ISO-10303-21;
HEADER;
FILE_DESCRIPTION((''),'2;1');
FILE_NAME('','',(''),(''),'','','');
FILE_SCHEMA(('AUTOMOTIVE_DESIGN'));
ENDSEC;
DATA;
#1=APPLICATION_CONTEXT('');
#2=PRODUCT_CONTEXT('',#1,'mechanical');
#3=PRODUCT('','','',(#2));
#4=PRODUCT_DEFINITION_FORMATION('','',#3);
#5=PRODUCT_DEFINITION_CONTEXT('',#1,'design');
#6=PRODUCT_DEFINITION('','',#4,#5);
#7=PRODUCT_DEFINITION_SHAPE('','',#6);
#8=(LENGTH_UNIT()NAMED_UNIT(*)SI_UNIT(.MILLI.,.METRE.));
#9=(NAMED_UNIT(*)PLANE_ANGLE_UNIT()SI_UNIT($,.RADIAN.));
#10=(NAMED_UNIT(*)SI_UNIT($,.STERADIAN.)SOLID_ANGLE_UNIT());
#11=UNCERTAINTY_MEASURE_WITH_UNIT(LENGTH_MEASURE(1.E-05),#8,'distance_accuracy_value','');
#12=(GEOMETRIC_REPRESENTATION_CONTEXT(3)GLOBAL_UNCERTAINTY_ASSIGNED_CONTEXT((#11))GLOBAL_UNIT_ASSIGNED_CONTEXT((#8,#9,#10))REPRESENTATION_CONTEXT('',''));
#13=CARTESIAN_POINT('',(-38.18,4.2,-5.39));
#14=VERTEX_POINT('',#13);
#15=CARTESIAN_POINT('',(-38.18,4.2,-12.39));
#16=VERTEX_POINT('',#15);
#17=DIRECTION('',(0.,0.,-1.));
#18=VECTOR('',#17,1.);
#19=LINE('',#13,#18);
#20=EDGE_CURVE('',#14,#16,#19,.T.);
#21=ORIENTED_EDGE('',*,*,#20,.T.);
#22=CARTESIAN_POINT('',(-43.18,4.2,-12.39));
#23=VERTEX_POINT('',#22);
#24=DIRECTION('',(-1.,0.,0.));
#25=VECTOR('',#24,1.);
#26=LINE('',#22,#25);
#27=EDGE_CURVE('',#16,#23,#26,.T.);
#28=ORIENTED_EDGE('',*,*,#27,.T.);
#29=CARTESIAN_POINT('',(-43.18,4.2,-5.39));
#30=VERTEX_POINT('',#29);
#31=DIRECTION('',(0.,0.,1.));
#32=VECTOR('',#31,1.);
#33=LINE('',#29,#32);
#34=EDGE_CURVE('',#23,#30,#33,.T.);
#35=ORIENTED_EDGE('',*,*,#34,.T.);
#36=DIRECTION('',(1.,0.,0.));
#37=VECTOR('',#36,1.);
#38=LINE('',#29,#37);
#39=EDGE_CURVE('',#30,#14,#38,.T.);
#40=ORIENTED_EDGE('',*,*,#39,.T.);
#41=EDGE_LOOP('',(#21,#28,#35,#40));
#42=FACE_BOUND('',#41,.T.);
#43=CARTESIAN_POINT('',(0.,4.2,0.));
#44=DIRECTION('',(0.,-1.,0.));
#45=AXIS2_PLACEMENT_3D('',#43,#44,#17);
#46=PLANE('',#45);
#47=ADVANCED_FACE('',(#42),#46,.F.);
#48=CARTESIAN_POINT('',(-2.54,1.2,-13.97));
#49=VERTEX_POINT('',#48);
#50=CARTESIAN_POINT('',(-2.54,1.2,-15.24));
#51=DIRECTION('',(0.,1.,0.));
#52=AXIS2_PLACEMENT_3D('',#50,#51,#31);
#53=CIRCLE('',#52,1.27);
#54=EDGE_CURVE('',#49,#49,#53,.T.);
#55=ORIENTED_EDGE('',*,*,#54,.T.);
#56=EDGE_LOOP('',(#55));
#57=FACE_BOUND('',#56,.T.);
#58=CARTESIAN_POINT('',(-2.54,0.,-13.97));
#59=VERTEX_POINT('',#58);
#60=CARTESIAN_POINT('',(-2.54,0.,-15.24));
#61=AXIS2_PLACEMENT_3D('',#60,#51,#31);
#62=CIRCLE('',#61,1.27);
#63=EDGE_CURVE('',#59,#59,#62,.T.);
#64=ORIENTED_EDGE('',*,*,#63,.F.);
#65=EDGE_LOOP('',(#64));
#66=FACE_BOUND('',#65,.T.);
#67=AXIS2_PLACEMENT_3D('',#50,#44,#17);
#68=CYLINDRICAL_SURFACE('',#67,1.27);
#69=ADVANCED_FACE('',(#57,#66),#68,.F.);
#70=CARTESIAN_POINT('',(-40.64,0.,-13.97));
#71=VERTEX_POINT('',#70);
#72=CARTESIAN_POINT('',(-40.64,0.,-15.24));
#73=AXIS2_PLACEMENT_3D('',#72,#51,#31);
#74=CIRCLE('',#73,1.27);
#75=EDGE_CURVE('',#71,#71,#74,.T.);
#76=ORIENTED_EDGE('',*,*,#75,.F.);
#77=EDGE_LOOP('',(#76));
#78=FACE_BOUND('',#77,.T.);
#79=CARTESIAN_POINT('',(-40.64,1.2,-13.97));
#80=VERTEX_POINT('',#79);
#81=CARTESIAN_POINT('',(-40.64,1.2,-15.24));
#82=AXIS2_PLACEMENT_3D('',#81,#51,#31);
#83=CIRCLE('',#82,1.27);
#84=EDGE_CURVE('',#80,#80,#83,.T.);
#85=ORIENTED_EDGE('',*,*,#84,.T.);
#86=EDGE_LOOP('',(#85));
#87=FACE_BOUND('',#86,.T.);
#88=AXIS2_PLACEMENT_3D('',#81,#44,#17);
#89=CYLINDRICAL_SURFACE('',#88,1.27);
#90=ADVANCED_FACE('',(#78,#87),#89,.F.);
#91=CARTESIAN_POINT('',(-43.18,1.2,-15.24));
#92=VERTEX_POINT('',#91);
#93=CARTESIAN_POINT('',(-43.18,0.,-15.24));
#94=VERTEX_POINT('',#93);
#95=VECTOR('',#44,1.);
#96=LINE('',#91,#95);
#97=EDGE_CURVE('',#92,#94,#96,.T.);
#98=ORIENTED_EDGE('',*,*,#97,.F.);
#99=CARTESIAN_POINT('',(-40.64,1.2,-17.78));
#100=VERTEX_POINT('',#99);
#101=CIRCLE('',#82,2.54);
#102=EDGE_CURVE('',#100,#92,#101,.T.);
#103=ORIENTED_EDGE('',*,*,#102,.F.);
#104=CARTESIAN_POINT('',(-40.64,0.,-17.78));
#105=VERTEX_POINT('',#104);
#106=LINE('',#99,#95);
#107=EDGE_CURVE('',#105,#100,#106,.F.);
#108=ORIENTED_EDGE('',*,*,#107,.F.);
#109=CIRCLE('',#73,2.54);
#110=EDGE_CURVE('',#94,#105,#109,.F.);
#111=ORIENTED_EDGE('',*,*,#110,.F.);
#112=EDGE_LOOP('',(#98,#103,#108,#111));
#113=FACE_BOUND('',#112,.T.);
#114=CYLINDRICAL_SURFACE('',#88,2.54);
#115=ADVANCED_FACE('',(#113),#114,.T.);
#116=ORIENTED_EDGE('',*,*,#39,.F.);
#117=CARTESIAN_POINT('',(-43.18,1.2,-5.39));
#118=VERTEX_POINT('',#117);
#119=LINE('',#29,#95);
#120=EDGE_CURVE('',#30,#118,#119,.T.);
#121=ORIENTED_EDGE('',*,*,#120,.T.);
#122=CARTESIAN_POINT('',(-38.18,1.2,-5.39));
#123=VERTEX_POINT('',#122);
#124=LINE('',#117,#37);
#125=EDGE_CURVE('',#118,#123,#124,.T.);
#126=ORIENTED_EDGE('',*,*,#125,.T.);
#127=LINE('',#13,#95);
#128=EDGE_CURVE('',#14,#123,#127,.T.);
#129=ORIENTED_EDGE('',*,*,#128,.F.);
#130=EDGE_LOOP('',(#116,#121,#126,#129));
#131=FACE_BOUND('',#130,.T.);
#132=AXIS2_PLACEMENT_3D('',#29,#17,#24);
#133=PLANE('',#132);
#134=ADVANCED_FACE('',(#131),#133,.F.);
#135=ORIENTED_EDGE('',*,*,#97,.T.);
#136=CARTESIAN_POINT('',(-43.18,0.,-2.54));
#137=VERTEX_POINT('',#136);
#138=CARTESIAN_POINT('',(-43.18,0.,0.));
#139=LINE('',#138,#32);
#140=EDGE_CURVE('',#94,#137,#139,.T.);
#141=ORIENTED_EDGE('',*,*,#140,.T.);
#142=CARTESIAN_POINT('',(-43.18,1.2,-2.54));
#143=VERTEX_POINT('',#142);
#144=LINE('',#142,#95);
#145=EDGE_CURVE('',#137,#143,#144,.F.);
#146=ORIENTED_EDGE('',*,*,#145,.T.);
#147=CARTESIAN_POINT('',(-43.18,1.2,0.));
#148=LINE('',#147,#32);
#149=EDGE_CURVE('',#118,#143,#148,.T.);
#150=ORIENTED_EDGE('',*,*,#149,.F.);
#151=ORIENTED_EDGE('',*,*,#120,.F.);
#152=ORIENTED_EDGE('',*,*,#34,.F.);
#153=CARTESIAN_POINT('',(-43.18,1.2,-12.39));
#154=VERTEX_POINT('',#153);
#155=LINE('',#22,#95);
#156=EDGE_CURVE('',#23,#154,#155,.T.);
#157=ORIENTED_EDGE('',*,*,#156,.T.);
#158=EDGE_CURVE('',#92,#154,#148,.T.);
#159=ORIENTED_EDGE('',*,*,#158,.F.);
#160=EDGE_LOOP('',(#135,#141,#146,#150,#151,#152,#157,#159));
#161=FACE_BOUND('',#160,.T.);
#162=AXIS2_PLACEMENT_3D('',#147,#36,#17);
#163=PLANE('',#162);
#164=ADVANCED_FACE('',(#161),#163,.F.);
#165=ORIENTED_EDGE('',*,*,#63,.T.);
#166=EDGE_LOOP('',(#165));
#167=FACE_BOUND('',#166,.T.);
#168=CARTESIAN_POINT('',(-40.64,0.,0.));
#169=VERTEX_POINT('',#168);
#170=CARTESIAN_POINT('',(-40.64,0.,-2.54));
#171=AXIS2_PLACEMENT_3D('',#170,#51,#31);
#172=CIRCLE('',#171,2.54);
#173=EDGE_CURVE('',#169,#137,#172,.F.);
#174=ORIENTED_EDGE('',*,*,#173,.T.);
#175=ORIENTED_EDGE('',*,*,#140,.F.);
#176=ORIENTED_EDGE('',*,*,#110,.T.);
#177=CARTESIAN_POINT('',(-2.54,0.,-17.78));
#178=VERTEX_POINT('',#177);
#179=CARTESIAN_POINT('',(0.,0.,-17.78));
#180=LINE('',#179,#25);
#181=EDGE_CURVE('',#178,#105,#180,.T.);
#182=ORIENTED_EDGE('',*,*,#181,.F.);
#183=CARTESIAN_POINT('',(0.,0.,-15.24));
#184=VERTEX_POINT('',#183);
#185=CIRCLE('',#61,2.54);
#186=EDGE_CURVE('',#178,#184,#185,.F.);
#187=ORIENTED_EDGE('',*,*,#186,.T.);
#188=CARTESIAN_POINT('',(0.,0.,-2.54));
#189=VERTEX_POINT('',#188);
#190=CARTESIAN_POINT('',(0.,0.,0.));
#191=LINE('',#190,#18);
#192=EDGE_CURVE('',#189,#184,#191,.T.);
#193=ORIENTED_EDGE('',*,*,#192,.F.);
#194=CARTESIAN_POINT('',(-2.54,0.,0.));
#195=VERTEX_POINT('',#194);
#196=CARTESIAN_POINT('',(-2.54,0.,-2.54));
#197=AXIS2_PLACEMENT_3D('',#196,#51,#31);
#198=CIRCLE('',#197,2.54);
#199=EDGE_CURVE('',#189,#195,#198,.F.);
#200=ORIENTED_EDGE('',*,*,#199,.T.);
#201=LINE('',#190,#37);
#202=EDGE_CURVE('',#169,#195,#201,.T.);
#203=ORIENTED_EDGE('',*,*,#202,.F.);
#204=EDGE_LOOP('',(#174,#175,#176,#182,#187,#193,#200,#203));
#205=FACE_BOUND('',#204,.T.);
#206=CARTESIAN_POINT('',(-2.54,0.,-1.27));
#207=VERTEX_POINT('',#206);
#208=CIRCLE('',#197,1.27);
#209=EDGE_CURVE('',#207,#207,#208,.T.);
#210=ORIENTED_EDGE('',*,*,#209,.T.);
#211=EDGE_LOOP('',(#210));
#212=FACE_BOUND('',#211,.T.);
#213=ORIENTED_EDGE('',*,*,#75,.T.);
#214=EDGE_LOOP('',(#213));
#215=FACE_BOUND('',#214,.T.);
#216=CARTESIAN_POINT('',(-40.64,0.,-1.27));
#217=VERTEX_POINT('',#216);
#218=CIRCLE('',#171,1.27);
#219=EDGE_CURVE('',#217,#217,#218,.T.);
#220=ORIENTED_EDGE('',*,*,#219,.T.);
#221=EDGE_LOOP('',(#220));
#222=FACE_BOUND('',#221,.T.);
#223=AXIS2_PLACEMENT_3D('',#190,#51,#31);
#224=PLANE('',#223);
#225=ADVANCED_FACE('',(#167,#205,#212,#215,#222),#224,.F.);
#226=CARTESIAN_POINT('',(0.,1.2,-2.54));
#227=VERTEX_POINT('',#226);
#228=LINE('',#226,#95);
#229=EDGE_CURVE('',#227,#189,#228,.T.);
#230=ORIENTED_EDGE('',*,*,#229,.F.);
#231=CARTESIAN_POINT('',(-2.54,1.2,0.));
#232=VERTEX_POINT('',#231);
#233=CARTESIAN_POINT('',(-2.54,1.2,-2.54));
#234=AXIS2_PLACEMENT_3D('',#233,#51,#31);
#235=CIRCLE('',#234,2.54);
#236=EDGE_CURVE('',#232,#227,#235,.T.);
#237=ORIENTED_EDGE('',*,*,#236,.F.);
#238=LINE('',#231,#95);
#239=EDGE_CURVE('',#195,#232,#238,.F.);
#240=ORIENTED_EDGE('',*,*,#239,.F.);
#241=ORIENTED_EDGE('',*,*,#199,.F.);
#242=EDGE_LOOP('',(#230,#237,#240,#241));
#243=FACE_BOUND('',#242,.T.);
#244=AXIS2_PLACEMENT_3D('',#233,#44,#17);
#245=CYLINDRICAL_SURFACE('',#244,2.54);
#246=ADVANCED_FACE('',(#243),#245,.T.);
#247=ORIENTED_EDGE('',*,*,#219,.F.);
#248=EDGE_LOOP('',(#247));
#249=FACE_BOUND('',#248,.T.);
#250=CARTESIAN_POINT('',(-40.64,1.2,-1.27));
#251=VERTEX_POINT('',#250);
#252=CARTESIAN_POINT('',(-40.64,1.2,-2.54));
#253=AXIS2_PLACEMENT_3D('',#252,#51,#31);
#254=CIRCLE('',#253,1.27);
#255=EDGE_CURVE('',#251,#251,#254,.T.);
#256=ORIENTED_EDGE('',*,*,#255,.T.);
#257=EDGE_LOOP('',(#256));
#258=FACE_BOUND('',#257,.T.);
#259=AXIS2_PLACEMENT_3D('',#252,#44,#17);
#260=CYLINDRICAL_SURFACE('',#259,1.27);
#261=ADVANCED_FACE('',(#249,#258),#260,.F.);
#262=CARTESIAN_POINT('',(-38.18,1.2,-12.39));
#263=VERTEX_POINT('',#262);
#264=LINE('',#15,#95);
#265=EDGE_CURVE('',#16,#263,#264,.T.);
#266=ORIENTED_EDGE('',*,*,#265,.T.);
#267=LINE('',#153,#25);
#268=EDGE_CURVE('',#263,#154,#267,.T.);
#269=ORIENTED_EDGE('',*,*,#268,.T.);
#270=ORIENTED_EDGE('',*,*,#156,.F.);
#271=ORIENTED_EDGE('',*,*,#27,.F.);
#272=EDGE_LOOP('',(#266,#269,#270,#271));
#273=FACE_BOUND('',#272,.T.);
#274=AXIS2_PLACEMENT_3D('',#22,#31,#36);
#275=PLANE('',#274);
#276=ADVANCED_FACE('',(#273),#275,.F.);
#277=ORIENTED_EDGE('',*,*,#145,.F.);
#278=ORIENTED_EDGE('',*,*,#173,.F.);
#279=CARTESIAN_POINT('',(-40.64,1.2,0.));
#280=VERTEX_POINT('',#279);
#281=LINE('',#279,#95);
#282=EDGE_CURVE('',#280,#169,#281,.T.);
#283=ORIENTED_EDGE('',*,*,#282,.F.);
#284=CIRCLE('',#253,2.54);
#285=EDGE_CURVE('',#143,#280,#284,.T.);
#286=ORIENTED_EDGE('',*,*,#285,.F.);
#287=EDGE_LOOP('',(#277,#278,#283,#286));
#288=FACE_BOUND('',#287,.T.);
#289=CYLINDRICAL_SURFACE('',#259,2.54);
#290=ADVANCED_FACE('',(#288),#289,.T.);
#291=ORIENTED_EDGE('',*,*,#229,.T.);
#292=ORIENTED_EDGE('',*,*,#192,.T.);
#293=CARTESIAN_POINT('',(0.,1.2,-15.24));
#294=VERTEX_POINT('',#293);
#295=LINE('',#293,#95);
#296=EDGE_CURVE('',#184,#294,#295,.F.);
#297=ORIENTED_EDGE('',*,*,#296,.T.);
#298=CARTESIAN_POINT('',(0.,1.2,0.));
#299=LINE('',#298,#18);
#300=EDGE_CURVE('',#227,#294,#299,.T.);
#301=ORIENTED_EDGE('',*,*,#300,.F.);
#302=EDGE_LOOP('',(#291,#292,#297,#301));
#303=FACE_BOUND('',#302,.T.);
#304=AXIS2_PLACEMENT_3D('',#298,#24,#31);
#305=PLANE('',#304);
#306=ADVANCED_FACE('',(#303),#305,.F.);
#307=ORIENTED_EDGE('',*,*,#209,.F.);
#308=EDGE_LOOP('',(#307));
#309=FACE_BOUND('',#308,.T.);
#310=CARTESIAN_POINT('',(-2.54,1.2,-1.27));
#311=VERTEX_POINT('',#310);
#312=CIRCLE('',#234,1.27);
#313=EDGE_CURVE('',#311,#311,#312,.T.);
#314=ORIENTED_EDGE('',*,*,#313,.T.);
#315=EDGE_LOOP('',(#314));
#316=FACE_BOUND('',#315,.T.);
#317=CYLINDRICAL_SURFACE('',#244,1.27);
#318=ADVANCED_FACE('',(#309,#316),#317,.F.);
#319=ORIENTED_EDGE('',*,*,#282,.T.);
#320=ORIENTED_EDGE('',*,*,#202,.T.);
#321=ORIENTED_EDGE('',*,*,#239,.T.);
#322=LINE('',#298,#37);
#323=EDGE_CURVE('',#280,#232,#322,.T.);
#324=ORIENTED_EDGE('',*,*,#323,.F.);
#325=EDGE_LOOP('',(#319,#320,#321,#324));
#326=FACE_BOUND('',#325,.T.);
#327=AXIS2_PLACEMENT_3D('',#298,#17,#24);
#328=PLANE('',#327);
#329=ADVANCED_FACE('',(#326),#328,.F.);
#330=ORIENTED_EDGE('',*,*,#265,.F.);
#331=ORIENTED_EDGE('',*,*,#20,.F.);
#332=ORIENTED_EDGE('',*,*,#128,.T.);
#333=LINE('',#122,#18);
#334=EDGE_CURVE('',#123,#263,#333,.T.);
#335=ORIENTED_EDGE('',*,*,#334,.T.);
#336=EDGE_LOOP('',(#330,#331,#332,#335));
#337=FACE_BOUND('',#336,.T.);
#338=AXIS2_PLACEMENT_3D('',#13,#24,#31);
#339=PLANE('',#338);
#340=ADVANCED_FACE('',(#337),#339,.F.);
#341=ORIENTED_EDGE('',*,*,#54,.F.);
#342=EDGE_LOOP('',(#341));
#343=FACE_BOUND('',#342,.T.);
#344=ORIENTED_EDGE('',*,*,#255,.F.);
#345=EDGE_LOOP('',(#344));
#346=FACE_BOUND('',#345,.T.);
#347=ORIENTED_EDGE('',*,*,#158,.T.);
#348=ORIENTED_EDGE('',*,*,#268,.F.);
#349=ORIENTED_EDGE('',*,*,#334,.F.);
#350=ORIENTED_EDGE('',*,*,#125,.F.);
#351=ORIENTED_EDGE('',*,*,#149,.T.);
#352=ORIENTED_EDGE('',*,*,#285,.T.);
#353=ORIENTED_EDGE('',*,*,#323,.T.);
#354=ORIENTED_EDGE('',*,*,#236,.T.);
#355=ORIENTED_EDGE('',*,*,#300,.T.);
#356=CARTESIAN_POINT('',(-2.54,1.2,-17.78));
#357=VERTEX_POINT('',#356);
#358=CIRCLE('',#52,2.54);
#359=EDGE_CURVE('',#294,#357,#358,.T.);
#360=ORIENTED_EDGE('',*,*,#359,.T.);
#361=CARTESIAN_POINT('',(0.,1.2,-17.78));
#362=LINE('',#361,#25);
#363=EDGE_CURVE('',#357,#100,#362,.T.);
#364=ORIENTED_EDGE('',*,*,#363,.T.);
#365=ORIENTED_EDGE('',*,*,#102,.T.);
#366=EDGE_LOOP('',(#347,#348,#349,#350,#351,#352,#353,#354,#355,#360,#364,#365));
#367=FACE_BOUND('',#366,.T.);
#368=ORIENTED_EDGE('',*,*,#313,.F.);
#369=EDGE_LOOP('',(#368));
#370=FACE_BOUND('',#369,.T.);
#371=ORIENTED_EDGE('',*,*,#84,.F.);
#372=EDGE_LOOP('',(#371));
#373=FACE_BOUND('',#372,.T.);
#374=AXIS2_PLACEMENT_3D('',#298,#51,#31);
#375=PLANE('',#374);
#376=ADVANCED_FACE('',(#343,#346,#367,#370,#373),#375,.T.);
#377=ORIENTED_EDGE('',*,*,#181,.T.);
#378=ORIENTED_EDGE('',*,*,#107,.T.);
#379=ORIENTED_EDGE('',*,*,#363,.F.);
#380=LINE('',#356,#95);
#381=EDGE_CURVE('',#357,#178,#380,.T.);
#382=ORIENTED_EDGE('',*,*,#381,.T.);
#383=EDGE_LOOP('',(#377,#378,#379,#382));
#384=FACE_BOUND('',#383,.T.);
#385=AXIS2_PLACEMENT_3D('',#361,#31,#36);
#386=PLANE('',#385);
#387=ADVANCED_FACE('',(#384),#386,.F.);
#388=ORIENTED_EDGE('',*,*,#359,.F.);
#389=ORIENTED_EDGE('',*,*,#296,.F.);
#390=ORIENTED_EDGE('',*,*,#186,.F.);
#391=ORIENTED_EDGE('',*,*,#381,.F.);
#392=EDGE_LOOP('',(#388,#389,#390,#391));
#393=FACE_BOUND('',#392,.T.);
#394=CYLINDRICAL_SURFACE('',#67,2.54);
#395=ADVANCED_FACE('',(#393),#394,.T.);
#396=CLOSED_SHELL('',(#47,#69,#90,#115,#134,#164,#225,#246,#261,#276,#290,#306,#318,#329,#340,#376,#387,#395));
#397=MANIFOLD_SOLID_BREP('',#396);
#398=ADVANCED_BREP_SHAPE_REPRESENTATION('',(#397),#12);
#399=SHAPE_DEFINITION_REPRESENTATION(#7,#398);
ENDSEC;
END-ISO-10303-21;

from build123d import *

# Parameters (mm, degrees)
SKETCH1_W           = 43.18
SKETCH1_H           = 17.78
SKETCH1_R           = 1.27
BOSS_EXTRUDE1_DEPTH = 1.2
FILLET1_R           = 2.54
SKETCH2_W           = 5
SKETCH2_H           = 7
BOSS_EXTRUDE2_DEPTH = 3


with BuildPart() as part:
    # Sketch1 → Boss-Extrude1 (new body)
    with BuildSketch(Plane(origin=(0, 0, 0), x_dir=(1, 0, 0), z_dir=(0, 1, 0))):
        with Locations((-21.59, 8.89)):
            Rectangle(SKETCH1_W, SKETCH1_H)
        with Locations(Location((-40.64, 15.24, 0), (0, 0, 270))):
            Circle(SKETCH1_R, mode=Mode.SUBTRACT)
        with Locations(Location((-40.64, 2.54, 0), (0, 0, 270))):
            Circle(SKETCH1_R, mode=Mode.SUBTRACT)
        with Locations(Location((-2.54, 2.54, 0), (0, 0, 270))):
            Circle(SKETCH1_R, mode=Mode.SUBTRACT)
        with Locations(Location((-2.54, 15.24, 0), (0, 0, 270))):
            Circle(SKETCH1_R, mode=Mode.SUBTRACT)
    extrude(amount=BOSS_EXTRUDE1_DEPTH)

    # Fillet1
    fillet1_edges = [part.edges().sort_by_distance(p)[0] for p in [
        (0, 0.6, 0),
        (-43.18, 0.6, 0),
        (-43.18, 0.6, -17.78),
        (0, 0.6, -17.78),
    ]]
    fillet(fillet1_edges, radius=FILLET1_R)

    # Sketch2 → Boss-Extrude2 (add)
    with BuildSketch(Plane(origin=(0, 1.2, 0), x_dir=(1, 0, 0), z_dir=(0, 1, 0))):
        with Locations((-40.68, 8.89)):
            Rectangle(SKETCH2_W, SKETCH2_H)
    extrude(amount=BOSS_EXTRUDE2_DEPTH)


solid = part.part
